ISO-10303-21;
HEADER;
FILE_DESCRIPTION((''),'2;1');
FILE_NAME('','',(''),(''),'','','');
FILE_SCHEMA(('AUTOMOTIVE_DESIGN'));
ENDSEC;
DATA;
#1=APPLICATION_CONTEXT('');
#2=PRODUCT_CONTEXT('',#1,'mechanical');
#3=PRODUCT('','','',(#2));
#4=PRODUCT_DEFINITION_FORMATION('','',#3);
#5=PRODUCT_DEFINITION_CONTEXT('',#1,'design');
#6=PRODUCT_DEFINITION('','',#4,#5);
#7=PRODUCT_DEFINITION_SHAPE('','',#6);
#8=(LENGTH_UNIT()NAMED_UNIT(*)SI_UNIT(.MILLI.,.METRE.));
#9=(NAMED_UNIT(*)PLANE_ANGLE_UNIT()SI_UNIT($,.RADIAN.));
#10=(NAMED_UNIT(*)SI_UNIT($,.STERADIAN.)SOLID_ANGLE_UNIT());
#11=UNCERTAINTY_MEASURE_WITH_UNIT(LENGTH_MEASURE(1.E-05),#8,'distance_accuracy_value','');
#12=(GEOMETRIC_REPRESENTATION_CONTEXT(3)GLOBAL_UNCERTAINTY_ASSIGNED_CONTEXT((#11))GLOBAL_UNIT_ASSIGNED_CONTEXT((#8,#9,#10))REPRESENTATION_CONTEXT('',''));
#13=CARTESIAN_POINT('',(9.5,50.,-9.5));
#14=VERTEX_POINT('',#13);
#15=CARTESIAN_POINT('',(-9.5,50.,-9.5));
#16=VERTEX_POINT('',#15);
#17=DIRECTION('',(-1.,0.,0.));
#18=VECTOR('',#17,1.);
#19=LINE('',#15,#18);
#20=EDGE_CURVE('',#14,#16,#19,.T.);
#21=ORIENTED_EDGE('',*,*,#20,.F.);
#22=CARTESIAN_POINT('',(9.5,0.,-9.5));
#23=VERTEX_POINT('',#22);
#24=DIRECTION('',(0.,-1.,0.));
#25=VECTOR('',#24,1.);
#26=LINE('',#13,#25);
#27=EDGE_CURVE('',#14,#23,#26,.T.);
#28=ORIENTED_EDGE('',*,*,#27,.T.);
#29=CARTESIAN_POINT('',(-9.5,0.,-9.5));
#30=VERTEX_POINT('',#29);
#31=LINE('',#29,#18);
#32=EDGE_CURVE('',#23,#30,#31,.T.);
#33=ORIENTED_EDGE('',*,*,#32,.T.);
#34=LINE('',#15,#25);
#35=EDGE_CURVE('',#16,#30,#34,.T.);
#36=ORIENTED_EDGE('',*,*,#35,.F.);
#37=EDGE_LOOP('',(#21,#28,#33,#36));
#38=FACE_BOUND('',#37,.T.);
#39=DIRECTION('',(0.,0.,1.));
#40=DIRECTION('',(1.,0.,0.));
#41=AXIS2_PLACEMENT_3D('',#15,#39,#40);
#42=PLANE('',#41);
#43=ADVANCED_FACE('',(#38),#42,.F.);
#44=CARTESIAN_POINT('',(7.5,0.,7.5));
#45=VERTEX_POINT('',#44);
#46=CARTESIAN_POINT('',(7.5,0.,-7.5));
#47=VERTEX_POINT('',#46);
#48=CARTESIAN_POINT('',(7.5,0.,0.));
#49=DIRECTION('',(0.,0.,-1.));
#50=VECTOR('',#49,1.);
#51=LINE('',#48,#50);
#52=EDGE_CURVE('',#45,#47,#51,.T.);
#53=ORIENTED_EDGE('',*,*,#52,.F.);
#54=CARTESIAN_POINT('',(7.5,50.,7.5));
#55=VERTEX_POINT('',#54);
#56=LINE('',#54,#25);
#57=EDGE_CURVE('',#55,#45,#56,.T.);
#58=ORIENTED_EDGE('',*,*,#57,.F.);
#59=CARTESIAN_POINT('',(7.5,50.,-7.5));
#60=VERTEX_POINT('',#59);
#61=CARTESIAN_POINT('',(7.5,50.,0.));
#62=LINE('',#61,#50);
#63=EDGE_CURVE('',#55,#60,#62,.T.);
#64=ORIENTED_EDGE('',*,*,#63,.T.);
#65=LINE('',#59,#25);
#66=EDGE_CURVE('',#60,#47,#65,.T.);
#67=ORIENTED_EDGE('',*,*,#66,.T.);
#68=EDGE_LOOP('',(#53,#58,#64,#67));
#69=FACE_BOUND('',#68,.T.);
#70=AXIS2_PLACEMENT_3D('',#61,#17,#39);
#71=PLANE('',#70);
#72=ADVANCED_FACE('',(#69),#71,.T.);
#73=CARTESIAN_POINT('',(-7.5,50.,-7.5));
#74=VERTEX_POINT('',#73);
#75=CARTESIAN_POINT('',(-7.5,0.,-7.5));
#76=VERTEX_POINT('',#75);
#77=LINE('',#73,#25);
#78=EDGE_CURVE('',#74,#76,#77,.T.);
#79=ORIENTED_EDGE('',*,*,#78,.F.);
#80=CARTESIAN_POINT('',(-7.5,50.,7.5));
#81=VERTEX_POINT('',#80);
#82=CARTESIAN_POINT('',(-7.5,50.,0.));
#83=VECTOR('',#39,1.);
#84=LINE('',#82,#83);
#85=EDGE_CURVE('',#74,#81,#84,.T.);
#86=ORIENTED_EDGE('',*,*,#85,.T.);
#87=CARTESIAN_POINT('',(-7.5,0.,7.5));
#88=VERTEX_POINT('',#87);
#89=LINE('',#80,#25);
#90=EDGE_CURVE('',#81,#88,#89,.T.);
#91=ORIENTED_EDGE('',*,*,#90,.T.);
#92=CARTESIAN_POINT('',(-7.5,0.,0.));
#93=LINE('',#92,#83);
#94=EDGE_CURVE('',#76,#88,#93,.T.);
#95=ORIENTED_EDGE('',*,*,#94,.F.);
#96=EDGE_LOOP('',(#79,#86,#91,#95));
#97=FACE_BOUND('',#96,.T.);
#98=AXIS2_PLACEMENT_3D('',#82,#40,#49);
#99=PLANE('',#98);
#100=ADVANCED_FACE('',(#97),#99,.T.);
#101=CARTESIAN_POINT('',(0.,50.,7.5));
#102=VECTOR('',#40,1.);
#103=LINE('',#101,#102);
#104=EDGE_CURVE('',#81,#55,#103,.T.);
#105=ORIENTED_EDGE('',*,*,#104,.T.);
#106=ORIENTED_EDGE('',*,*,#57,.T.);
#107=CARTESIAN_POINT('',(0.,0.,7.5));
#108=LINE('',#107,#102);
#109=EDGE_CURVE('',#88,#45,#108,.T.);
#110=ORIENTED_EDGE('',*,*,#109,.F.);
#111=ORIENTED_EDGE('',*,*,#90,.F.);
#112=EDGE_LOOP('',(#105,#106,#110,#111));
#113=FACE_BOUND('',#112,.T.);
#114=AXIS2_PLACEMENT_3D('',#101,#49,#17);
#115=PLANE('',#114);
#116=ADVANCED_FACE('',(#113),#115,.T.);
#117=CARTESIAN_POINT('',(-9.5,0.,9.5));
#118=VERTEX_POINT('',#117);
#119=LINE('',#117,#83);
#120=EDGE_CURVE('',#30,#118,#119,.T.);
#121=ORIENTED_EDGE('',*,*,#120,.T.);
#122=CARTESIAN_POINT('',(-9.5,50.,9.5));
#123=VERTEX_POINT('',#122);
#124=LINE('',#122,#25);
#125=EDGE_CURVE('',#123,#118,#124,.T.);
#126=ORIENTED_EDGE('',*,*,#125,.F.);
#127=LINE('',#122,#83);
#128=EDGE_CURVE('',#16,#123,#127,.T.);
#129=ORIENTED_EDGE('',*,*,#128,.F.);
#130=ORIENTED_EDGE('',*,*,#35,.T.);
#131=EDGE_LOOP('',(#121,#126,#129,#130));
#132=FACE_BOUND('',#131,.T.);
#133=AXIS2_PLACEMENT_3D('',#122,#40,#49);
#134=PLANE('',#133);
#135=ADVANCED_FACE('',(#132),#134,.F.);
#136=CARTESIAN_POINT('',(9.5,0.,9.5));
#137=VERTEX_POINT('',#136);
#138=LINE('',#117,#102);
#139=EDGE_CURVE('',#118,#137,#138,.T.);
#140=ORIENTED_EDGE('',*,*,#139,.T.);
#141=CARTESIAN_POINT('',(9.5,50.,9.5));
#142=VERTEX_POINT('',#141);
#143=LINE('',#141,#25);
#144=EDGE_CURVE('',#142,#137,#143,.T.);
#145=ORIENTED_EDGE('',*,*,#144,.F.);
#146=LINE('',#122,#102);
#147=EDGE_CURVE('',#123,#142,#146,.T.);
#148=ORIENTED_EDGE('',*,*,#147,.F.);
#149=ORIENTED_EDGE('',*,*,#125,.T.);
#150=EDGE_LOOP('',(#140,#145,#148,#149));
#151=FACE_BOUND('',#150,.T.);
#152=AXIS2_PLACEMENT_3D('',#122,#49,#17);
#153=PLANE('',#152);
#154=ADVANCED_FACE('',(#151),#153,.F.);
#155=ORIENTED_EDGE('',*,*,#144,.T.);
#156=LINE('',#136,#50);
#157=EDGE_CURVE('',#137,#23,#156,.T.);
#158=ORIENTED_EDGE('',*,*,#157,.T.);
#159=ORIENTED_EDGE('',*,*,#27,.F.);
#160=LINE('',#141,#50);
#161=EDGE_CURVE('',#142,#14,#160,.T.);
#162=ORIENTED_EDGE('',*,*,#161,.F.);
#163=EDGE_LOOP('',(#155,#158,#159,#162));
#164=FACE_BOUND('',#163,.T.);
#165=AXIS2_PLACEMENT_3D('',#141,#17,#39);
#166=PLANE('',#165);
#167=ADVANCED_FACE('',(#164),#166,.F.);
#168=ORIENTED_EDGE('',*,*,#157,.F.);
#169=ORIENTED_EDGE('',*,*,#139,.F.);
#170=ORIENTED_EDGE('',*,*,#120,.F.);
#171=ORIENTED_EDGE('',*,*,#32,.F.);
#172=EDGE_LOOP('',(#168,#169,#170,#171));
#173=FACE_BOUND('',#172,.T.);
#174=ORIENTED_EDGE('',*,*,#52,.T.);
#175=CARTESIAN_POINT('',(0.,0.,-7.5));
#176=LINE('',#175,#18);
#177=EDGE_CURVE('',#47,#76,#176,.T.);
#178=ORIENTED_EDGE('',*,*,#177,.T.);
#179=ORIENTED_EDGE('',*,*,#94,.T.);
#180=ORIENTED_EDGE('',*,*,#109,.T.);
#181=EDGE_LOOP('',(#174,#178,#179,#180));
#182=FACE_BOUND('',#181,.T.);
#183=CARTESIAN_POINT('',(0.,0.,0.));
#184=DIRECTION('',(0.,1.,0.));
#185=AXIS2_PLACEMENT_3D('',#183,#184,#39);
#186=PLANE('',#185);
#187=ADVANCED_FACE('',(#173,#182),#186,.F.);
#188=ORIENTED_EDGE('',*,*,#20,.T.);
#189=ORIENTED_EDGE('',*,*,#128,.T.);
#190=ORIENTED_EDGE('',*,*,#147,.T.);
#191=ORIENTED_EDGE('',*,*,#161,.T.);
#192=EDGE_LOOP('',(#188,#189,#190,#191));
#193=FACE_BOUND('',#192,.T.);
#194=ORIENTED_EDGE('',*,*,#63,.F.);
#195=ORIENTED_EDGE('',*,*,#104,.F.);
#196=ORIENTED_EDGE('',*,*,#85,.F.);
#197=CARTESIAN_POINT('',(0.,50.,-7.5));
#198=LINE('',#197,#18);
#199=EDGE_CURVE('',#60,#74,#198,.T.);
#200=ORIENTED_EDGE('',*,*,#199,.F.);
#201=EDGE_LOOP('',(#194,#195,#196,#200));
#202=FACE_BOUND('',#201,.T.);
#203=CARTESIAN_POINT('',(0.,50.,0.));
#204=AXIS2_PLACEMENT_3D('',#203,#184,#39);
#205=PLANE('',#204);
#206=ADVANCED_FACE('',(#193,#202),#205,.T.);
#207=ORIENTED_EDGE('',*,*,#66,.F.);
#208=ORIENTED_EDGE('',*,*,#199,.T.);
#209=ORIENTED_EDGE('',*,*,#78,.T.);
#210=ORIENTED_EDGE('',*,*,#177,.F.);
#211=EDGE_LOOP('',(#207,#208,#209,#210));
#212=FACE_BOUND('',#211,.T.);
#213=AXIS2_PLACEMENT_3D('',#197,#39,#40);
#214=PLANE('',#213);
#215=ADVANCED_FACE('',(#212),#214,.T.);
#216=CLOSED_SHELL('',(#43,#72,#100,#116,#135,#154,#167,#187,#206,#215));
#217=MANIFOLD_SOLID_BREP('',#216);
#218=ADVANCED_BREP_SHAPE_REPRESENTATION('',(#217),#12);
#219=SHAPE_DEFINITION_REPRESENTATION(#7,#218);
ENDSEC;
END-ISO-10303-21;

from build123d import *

# Parameters (mm, degrees)
SKETCH1_W           = 19
SKETCH1_H           = 19
SKETCH1_W_2         = 15
SKETCH1_H_2         = 15
EXTRUDE_THIN1_DEPTH = 50


with BuildPart() as part:
    # Sketch1 → Extrude-Thin1 (new body)
    with BuildSketch(Plane(origin=(0, 0, 0), x_dir=(1, 0, 0), z_dir=(0, 1, 0))):
        Rectangle(SKETCH1_W, SKETCH1_H)
        Rectangle(SKETCH1_W_2, SKETCH1_H_2, mode=Mode.SUBTRACT)
    extrude(amount=EXTRUDE_THIN1_DEPTH)


solid = part.part
